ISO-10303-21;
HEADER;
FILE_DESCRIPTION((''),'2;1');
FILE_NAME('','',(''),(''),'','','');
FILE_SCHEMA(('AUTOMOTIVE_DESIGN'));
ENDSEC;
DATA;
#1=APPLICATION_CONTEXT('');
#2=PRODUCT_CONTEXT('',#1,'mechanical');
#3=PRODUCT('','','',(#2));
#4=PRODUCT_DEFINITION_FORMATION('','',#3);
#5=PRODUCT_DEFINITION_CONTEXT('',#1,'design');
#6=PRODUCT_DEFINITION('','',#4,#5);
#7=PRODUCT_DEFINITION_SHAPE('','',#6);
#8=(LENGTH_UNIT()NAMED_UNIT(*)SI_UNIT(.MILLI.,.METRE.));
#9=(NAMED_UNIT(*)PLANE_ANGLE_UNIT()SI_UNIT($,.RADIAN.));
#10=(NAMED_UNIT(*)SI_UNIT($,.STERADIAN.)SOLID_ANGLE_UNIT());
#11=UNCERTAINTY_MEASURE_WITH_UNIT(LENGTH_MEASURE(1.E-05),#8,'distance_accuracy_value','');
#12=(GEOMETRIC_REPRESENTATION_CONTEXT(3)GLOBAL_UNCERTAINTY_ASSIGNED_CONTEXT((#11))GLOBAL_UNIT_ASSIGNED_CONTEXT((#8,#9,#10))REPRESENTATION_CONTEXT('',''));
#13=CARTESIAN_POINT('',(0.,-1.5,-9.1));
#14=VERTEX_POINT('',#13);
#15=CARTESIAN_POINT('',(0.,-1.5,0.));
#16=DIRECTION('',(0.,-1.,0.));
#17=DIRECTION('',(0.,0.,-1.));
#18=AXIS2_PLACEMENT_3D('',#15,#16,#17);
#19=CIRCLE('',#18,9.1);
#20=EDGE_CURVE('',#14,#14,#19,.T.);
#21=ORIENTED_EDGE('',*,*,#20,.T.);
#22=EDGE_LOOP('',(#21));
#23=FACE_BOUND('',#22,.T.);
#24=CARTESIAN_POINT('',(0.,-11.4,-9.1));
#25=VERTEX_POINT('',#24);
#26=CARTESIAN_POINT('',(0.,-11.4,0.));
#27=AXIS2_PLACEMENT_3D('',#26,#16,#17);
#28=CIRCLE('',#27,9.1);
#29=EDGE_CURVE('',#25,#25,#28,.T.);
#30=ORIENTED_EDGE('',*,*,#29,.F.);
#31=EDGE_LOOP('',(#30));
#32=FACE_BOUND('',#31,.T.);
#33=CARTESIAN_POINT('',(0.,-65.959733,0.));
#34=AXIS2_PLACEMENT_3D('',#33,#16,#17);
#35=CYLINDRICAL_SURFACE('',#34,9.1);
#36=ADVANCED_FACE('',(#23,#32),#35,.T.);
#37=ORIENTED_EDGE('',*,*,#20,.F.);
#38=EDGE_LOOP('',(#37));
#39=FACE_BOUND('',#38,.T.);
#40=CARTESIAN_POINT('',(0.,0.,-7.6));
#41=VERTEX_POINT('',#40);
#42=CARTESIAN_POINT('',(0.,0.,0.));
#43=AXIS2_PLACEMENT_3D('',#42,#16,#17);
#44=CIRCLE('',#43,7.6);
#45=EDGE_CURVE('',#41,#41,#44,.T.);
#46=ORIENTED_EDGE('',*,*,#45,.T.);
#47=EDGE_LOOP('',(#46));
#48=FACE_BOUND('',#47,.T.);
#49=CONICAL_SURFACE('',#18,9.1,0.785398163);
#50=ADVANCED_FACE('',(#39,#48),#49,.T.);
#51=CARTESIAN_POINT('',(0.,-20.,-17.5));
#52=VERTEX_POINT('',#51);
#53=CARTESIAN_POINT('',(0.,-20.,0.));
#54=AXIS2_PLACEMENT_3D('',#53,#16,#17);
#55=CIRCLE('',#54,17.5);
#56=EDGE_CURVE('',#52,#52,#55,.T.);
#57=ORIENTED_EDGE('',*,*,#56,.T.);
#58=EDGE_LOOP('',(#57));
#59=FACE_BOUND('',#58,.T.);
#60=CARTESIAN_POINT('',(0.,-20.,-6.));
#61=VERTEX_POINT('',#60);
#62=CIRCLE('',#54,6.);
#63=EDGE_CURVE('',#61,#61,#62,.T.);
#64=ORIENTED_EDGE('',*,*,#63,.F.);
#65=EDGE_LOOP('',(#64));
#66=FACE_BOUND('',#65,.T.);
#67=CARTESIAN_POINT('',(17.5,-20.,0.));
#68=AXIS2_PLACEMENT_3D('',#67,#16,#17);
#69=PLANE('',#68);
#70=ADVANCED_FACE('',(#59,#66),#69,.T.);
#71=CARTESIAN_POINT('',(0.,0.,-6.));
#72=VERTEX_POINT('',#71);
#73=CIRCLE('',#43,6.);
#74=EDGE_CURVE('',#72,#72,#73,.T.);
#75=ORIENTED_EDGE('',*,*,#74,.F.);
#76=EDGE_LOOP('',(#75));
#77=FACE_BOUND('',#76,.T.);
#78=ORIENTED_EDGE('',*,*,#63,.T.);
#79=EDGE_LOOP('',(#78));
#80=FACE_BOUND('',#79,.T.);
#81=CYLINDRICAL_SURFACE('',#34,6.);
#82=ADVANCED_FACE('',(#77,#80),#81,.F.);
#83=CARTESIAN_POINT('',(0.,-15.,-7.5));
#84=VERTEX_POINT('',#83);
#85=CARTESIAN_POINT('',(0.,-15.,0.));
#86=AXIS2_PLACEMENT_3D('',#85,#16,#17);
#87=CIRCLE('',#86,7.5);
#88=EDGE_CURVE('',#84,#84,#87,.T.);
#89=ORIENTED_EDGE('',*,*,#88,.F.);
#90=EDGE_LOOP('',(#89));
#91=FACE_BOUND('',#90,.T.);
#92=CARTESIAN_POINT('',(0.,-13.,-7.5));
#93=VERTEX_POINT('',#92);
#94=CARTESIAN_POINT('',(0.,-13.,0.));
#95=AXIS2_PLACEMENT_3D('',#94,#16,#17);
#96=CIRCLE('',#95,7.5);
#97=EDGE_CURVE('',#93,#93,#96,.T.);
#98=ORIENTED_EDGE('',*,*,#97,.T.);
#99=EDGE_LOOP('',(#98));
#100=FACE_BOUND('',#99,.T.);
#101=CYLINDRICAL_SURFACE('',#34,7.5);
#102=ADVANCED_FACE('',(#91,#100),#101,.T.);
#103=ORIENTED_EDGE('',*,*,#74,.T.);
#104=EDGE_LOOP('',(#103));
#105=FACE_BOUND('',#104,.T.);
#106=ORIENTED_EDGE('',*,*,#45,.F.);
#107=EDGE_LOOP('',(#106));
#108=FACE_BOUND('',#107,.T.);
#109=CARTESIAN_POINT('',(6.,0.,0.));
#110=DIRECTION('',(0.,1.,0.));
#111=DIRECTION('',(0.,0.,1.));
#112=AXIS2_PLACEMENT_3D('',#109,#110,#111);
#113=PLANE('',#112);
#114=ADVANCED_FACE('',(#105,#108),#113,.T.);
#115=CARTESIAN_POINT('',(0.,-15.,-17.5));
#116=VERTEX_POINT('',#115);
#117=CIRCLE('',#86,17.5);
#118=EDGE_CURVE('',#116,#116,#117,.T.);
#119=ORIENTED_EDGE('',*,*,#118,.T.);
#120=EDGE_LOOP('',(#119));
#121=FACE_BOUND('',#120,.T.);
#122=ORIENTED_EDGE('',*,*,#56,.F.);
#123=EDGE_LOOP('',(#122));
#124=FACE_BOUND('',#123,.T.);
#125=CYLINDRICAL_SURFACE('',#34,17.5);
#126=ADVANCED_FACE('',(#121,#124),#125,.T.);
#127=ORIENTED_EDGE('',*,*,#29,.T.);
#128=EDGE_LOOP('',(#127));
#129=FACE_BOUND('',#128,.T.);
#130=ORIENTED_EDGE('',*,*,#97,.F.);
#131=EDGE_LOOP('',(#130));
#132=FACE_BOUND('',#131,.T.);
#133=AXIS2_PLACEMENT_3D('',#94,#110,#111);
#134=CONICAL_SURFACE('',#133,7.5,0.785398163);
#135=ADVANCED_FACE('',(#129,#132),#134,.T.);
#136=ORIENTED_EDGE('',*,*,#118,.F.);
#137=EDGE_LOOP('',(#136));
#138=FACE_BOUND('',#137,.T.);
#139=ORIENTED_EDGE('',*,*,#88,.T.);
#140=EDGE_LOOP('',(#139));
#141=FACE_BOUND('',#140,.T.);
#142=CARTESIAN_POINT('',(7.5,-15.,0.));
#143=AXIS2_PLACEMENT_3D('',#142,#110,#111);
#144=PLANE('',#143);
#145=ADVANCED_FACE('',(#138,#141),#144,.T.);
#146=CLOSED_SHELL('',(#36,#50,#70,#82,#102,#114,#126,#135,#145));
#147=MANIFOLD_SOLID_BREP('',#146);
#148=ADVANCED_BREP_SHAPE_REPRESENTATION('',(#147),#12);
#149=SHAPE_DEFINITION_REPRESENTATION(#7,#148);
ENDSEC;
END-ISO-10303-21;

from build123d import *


with BuildPart() as part:
    # Sketch1 → Revolve1 (revolve)
    with BuildSketch(Plane.XY, mode=Mode.PRIVATE) as revolve1_sk:
        Polygon((6, 0), (7.6, 0), (9.1, -1.5), (9.1, -11.4), (7.5, -13), (7.5, -15), (17.5, -15), (17.5, -20), (6, -20), align=None)
    revolve(revolve1_sk.sketch.rotate(Axis((0, -65.959732646, 0), (0, 1, 0)), 90), axis=Axis((0, -65.959732646, 0), (0, 1, 0)))


solid = part.part
